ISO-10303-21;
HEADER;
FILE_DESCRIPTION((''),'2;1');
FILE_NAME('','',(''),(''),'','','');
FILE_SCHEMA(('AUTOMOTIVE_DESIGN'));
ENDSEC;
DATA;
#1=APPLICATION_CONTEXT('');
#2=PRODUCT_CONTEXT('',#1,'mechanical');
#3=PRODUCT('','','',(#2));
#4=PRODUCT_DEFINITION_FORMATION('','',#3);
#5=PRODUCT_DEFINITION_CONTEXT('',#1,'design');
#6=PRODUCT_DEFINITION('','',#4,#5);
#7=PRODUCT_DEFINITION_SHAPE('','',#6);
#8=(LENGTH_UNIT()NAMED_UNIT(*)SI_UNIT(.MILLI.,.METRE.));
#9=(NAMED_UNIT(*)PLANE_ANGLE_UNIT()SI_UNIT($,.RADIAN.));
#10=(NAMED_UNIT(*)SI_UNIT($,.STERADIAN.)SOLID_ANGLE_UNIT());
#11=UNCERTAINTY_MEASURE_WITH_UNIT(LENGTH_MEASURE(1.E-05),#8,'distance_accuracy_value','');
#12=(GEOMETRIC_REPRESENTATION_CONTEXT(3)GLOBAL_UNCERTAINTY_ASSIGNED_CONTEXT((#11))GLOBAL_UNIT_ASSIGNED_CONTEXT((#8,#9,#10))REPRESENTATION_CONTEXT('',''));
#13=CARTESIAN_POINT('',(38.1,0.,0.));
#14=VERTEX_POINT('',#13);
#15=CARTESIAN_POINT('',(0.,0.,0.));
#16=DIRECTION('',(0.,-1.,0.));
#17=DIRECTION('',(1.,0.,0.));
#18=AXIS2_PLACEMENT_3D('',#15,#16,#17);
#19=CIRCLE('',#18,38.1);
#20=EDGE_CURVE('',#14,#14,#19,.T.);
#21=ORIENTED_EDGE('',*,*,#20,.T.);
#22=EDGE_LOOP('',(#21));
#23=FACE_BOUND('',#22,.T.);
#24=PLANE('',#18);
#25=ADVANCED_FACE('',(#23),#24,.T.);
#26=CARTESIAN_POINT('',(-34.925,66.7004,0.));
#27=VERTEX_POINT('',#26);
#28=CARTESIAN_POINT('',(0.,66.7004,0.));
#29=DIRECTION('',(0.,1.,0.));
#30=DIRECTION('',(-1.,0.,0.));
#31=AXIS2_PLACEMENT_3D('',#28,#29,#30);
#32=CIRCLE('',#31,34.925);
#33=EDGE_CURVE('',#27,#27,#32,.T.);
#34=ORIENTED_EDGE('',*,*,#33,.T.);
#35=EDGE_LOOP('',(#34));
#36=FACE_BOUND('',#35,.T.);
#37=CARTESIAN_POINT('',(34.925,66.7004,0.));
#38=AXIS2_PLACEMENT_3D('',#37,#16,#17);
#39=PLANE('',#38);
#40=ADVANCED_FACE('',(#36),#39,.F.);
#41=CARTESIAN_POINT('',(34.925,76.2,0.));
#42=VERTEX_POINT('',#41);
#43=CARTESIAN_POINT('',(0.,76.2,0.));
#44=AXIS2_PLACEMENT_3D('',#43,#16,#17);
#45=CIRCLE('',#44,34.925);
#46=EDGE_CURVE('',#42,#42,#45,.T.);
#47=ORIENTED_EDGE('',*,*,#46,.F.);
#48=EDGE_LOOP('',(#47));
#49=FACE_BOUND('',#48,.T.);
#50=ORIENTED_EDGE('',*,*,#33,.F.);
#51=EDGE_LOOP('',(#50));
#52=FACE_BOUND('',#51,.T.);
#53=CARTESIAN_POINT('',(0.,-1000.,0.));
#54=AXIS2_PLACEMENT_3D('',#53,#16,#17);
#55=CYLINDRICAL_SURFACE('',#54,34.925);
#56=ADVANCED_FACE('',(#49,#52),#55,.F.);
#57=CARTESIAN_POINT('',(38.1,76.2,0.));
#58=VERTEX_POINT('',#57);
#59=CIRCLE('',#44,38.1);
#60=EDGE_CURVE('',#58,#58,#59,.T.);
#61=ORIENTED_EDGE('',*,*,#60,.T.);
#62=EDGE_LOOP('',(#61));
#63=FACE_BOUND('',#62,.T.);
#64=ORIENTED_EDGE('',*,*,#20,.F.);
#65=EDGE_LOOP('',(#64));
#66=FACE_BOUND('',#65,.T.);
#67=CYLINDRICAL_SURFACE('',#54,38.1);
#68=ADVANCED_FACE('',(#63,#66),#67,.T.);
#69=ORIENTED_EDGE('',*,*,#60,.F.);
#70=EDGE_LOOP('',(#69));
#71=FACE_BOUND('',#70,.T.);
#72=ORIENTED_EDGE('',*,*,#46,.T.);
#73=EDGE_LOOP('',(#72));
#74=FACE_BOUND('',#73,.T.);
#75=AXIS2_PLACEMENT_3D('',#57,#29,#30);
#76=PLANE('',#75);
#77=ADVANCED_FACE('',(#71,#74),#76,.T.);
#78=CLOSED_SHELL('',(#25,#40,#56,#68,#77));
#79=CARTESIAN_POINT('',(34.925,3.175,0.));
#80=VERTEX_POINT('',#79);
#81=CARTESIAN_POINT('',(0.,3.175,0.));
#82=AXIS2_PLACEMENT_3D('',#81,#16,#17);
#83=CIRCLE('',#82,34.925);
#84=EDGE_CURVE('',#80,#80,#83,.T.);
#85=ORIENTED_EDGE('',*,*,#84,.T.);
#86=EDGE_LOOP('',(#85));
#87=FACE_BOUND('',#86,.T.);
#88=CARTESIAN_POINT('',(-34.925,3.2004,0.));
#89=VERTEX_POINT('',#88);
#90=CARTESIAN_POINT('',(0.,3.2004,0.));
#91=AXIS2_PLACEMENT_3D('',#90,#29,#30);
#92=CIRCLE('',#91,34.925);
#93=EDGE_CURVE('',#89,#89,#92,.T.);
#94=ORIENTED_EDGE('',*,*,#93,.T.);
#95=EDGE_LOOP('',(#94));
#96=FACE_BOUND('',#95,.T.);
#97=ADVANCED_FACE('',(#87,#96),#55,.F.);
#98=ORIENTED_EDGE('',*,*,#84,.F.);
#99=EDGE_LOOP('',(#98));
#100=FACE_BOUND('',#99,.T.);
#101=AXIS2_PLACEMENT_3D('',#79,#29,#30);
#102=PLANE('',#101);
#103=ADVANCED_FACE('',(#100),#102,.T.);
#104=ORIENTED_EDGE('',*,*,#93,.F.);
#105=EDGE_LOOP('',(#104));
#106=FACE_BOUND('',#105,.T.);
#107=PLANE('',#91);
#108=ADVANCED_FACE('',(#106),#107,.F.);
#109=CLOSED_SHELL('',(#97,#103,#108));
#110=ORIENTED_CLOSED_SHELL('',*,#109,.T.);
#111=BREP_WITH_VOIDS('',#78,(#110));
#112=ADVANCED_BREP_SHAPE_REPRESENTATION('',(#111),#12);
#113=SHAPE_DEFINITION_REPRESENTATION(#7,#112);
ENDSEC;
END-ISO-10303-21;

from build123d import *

# Parameters (mm, degrees)
SKETCH2_W = 34.925
SKETCH2_H = 63.5


with BuildPart() as part:
    # Sketch1 → Revolve1 (revolve)
    with BuildSketch(Plane.XY):
        Polygon((34.925, 76.2), (34.925, 3.175), (0, 3.175), (0, 0), (38.1, 0), (38.1, 76.2), align=None)
    revolve(axis=Axis((0, -1000, 0), (0, 1, 0)))

    # Sketch2 → Revolve2 (revolve)
    with BuildSketch(Plane.XY):
        with Locations((17.4625, 34.9504)):
            Rectangle(SKETCH2_W, SKETCH2_H)
    revolve(axis=Axis((0, 66.7004, 0), (0, -1, 0)))


solid = part.part
